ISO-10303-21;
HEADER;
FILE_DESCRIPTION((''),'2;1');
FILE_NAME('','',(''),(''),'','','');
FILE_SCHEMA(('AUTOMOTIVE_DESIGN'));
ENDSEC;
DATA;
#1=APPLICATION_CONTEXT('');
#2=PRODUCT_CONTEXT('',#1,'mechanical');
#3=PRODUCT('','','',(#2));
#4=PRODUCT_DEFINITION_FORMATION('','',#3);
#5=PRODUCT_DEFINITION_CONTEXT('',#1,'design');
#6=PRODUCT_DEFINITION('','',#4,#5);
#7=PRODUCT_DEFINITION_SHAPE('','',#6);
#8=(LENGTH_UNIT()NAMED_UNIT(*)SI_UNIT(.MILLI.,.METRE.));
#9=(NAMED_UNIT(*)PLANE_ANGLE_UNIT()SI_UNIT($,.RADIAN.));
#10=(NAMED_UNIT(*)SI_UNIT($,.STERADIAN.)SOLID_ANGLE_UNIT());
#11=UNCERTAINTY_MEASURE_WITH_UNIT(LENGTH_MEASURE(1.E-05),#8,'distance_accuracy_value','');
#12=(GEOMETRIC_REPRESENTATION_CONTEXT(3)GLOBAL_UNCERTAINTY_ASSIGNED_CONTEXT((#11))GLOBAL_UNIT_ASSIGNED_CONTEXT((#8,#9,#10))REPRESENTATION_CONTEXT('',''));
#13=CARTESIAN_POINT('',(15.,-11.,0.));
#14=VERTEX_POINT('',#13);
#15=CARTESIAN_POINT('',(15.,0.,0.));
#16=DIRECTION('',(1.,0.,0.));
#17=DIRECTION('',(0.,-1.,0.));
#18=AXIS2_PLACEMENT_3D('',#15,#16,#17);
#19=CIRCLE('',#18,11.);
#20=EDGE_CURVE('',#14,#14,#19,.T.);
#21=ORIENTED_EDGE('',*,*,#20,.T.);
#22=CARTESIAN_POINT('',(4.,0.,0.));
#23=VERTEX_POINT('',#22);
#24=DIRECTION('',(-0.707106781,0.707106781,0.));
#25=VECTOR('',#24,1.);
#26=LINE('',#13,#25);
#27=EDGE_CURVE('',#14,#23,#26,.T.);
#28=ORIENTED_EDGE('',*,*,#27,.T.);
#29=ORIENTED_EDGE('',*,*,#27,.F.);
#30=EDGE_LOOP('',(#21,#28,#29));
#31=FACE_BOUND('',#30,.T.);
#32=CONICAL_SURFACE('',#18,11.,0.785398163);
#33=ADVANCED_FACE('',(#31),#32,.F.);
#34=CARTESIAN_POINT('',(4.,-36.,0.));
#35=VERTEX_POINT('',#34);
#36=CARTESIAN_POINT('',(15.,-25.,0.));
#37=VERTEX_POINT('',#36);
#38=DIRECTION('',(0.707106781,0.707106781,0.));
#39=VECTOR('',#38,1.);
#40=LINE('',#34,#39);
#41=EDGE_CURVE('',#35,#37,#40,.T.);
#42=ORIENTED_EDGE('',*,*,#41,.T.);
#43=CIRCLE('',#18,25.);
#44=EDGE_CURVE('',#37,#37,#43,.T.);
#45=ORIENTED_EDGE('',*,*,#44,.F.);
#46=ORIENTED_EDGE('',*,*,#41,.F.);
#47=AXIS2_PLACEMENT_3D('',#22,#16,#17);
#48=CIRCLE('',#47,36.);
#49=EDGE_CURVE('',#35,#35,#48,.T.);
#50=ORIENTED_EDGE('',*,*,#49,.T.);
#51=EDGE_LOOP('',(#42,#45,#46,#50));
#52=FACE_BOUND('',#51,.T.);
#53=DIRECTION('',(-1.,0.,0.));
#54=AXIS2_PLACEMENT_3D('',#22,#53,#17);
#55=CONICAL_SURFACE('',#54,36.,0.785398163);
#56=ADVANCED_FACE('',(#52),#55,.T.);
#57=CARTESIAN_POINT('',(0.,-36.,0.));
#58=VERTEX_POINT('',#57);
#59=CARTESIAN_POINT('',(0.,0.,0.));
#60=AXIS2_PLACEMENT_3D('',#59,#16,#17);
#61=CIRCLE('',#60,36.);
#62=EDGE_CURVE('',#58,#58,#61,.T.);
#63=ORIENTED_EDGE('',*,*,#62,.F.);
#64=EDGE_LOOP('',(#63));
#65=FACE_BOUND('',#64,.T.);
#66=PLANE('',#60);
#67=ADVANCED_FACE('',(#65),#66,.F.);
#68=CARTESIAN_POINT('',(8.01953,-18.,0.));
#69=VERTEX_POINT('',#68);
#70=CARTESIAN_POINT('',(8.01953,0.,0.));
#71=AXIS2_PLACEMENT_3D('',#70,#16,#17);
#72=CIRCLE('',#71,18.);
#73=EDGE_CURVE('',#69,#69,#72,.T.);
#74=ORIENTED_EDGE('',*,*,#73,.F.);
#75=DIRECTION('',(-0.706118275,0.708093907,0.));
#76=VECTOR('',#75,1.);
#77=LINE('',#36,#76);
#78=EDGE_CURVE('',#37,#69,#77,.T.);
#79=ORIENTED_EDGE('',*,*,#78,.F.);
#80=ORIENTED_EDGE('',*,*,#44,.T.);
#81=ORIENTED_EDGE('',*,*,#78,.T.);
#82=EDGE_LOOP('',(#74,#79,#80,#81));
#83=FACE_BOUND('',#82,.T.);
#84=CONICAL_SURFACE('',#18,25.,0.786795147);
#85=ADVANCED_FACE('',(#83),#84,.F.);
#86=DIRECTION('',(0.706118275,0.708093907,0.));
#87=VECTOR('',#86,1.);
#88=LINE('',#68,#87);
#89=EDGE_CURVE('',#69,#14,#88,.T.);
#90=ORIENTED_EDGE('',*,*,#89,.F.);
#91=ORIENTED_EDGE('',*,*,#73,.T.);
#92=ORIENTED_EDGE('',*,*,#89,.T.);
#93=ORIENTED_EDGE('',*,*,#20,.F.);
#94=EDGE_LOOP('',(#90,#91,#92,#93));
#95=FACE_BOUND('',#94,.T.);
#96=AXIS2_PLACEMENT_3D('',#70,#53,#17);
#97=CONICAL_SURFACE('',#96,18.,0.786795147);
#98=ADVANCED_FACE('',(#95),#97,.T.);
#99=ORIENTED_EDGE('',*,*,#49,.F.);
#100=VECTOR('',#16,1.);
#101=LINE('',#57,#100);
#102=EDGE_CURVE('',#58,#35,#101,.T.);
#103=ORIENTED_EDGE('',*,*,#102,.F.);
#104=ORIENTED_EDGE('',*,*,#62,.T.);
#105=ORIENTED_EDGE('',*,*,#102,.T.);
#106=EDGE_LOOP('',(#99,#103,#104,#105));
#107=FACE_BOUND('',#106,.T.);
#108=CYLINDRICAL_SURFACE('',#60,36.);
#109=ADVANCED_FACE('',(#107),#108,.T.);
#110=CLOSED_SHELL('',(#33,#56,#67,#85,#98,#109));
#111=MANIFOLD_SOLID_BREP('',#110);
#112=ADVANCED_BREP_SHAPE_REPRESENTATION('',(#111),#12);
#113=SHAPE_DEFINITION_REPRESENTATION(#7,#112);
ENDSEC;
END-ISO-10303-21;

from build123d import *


with BuildPart() as f1:
    # F0 (on Top) → F1 (revolve)
    with BuildSketch(Plane.XY):
        Polygon((4, 0), (0, 0), (0, -36), (4, -36), (15, -25), (8.0195304944, -18), (15, -11), align=None)
        Polygon((4, -32), (4, -18.1), (11, -25), align=None, mode=Mode.SUBTRACT)
        Polygon((4, -17.9), (4, -4), (11, -11), align=None, mode=Mode.SUBTRACT)
        Polygon((11, -11), (4, -4), (4, -17.9), align=None)
        Polygon((11, -25), (4, -18.1), (4, -32), align=None)
    revolve(axis=Axis((2, 0, 0), (1, 0, 0)))


solid = f1.part
